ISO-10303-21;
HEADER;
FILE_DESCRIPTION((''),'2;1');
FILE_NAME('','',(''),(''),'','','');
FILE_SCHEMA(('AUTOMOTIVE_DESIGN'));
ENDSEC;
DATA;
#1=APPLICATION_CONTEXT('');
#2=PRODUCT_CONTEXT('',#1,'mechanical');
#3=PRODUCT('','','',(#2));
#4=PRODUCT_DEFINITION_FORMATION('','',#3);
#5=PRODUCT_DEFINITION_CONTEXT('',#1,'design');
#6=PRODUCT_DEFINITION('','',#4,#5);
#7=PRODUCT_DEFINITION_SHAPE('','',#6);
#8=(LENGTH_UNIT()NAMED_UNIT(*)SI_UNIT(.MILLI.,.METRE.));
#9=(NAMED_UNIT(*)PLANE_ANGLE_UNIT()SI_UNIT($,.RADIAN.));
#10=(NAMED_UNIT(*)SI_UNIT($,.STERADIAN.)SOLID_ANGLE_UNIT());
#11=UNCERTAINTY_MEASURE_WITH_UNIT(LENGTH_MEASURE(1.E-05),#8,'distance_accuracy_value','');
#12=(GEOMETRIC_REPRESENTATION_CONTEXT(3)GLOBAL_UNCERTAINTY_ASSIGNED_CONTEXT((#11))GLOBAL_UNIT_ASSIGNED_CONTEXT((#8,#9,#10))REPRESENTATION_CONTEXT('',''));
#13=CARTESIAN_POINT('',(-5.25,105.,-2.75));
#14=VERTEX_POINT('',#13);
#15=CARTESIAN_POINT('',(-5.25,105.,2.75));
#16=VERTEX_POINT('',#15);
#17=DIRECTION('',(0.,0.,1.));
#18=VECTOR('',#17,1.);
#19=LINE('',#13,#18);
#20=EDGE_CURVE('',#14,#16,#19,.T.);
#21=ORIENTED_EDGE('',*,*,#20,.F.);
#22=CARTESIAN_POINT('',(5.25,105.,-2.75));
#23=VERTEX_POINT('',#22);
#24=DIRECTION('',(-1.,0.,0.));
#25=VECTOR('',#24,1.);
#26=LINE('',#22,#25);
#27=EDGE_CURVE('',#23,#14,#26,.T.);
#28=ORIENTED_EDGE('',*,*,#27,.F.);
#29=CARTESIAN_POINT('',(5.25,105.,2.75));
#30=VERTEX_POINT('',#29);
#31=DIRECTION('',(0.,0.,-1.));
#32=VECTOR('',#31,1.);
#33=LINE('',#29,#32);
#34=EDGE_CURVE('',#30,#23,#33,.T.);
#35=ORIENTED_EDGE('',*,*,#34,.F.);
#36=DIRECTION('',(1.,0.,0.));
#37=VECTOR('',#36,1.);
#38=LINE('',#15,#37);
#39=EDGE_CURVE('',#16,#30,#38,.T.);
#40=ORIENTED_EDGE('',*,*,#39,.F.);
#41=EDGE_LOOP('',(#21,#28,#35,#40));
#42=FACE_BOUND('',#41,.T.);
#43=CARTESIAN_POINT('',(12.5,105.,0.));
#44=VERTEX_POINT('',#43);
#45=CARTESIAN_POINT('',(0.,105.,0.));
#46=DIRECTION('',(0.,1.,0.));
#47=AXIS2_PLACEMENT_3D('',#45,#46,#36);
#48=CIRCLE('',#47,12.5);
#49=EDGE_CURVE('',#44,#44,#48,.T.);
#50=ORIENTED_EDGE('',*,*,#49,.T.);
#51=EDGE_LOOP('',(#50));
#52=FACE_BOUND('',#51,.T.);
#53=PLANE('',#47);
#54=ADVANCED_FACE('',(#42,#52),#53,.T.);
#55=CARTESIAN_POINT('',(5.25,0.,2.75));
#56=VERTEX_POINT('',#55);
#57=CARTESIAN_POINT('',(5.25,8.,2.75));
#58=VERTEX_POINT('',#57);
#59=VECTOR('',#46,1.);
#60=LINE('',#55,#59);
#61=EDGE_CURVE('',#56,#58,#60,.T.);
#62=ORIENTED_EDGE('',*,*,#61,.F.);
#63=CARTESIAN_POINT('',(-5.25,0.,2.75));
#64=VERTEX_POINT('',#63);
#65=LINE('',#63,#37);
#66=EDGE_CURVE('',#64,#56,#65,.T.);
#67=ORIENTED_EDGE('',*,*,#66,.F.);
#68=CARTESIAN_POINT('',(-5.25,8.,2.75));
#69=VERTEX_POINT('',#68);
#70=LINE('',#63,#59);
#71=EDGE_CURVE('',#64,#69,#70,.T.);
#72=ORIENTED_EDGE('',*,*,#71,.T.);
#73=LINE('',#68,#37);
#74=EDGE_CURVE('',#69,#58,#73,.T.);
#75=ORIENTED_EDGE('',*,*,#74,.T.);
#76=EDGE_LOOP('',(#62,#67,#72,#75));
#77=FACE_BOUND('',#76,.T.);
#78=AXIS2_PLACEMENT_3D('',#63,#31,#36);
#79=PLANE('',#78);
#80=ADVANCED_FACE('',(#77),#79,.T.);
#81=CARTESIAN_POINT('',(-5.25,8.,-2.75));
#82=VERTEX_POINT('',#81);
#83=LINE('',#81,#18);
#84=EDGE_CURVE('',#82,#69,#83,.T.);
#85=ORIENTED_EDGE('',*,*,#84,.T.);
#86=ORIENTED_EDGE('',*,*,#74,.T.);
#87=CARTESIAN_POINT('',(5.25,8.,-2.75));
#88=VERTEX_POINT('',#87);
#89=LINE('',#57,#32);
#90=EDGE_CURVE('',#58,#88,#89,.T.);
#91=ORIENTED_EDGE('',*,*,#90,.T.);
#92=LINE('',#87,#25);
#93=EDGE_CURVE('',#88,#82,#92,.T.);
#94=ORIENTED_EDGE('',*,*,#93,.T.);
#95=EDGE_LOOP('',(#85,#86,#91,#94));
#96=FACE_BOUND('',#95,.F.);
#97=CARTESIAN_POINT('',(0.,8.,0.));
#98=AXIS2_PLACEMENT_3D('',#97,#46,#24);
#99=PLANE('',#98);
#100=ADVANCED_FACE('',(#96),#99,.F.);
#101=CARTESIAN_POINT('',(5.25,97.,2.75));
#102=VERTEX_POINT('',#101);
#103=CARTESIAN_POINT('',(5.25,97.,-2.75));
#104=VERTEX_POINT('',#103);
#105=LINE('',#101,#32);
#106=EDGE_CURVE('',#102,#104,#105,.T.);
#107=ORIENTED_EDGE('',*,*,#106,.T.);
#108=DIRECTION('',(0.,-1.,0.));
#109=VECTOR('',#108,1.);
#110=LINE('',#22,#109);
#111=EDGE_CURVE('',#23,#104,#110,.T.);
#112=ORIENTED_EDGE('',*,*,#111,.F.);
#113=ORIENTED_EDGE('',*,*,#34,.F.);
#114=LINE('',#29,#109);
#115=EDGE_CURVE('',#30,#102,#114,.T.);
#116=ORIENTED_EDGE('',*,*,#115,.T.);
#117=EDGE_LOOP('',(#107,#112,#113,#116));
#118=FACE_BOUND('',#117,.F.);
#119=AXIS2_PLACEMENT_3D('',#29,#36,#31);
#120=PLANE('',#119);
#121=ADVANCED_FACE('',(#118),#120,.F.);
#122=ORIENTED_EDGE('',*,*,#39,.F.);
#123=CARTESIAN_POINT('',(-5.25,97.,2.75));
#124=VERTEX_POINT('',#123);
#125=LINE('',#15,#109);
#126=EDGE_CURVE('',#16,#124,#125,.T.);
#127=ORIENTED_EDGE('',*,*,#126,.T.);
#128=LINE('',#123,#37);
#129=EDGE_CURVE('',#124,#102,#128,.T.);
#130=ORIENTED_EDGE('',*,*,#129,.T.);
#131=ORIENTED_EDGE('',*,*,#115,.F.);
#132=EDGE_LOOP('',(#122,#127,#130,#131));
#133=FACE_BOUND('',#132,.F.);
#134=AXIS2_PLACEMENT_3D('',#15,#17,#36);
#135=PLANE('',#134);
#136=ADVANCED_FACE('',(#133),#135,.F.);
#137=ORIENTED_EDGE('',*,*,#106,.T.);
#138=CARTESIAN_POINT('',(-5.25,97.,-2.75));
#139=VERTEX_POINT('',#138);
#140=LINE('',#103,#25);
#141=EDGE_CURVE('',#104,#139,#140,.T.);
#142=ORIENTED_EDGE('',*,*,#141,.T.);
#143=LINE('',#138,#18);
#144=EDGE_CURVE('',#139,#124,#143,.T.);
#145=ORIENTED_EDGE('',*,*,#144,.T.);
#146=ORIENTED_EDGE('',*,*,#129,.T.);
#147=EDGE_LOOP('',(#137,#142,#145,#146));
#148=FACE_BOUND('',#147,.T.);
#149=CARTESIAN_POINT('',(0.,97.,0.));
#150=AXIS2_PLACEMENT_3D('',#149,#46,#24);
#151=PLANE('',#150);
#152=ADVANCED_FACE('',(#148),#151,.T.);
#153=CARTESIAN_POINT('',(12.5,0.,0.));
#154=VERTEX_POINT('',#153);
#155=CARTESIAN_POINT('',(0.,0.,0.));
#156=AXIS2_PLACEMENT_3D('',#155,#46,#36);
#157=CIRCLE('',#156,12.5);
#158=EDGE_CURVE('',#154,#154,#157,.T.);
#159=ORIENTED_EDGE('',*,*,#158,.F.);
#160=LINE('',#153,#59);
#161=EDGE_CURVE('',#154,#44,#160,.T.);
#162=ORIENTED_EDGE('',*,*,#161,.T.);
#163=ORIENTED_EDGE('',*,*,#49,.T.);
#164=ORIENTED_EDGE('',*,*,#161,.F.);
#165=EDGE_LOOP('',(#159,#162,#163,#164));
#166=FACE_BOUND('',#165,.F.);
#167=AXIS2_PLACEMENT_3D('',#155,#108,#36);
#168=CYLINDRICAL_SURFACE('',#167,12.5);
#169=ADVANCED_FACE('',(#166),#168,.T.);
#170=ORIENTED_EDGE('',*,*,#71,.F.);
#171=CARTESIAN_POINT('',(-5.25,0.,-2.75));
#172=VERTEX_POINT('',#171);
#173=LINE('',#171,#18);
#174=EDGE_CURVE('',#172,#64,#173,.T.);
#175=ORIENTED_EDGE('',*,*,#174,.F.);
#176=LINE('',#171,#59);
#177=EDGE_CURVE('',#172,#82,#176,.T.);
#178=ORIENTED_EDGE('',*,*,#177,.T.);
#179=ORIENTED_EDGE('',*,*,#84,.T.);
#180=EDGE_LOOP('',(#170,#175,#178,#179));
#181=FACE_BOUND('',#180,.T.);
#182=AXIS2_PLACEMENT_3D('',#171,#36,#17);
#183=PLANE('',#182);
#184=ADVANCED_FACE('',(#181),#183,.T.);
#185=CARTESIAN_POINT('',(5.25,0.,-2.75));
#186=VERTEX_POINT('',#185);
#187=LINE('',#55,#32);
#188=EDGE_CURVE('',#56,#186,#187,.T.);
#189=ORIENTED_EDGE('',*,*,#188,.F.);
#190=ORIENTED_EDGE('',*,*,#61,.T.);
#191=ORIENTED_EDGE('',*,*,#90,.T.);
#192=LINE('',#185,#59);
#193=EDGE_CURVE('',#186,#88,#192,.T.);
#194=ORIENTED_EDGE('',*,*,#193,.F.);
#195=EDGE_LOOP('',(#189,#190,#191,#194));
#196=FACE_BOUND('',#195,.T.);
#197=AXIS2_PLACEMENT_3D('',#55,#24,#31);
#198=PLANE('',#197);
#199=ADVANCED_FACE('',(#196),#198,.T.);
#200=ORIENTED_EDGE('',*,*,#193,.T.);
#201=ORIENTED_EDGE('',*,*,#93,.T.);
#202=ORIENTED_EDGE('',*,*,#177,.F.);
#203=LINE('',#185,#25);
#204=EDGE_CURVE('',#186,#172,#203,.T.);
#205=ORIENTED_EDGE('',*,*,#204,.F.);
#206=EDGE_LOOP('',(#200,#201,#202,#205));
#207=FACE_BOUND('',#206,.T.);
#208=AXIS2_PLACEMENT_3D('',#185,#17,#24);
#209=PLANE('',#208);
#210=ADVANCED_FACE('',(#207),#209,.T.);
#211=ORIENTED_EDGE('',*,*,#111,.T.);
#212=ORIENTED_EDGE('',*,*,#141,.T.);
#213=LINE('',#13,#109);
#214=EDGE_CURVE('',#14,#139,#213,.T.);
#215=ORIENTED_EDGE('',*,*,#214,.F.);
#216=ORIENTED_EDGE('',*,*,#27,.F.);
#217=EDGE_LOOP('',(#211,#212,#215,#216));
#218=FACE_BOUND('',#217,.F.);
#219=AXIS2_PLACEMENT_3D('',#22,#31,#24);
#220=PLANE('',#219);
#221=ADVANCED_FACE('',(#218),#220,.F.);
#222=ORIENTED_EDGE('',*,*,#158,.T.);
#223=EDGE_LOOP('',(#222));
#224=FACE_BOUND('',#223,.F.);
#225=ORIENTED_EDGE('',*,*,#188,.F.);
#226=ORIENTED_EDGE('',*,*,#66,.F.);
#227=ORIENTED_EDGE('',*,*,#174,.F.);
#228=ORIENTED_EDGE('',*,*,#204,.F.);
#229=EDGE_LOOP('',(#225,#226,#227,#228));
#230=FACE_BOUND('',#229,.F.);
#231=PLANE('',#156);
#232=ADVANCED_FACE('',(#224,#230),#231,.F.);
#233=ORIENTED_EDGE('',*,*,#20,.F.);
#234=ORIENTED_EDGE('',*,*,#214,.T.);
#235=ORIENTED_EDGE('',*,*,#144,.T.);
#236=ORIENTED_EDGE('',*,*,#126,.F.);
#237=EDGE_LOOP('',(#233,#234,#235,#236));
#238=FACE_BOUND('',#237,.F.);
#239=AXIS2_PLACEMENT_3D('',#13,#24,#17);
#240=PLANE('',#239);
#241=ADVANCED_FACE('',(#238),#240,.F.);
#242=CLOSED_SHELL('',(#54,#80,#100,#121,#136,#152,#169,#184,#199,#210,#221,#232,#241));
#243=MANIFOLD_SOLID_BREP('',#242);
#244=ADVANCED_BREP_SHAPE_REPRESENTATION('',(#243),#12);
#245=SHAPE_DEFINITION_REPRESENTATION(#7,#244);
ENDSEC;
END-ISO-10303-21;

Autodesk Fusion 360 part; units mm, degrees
sketch "Sketch1" plane through (0, 0, 0) normal (0, 1, 0) x (1, 0, 0)
  circle A0 centre (0, 0) radius 12.5
  dimension "d1" = 25
extrude "Extrude1" add sketch "Sketch1" along normal blind 105
sketch "Sketch2" plane through (0, 105, 0) normal (0, 1, 0) x (-1, 0, 0)
  circle A0 centre (0, 0) radius 12.5
  line L0 (-5.25, -2.75) -> (5.25, -2.75)
  line L1 (5.25, -2.75) -> (5.25, 2.75)
  line L2 (5.25, 2.75) -> (-5.25, 2.75)
  line L3 (-5.25, 2.75) -> (-5.25, -2.75)
  line L4 (-5.25, -2.75) -> (5.25, 2.75) construction
  line L5 (5.25, -2.75) -> (-5.25, 2.75) construction
  dimension "d4" = 10.5
  dimension "d5" = 5.5
extrude "Extrude2" cut sketch "Sketch2" against normal blind 8 contours L0 L1 L2 L3
sketch "Sketch3" plane through (0, 0, 0) normal (0, -1, 0) x (1, 0, 0)
  circle A0 centre (0, 0) radius 12.5
extrude "Extrude3" cut sketch "Sketch2" along normal blind 8 from surface at -105 contours L0 L1 L2 L3
